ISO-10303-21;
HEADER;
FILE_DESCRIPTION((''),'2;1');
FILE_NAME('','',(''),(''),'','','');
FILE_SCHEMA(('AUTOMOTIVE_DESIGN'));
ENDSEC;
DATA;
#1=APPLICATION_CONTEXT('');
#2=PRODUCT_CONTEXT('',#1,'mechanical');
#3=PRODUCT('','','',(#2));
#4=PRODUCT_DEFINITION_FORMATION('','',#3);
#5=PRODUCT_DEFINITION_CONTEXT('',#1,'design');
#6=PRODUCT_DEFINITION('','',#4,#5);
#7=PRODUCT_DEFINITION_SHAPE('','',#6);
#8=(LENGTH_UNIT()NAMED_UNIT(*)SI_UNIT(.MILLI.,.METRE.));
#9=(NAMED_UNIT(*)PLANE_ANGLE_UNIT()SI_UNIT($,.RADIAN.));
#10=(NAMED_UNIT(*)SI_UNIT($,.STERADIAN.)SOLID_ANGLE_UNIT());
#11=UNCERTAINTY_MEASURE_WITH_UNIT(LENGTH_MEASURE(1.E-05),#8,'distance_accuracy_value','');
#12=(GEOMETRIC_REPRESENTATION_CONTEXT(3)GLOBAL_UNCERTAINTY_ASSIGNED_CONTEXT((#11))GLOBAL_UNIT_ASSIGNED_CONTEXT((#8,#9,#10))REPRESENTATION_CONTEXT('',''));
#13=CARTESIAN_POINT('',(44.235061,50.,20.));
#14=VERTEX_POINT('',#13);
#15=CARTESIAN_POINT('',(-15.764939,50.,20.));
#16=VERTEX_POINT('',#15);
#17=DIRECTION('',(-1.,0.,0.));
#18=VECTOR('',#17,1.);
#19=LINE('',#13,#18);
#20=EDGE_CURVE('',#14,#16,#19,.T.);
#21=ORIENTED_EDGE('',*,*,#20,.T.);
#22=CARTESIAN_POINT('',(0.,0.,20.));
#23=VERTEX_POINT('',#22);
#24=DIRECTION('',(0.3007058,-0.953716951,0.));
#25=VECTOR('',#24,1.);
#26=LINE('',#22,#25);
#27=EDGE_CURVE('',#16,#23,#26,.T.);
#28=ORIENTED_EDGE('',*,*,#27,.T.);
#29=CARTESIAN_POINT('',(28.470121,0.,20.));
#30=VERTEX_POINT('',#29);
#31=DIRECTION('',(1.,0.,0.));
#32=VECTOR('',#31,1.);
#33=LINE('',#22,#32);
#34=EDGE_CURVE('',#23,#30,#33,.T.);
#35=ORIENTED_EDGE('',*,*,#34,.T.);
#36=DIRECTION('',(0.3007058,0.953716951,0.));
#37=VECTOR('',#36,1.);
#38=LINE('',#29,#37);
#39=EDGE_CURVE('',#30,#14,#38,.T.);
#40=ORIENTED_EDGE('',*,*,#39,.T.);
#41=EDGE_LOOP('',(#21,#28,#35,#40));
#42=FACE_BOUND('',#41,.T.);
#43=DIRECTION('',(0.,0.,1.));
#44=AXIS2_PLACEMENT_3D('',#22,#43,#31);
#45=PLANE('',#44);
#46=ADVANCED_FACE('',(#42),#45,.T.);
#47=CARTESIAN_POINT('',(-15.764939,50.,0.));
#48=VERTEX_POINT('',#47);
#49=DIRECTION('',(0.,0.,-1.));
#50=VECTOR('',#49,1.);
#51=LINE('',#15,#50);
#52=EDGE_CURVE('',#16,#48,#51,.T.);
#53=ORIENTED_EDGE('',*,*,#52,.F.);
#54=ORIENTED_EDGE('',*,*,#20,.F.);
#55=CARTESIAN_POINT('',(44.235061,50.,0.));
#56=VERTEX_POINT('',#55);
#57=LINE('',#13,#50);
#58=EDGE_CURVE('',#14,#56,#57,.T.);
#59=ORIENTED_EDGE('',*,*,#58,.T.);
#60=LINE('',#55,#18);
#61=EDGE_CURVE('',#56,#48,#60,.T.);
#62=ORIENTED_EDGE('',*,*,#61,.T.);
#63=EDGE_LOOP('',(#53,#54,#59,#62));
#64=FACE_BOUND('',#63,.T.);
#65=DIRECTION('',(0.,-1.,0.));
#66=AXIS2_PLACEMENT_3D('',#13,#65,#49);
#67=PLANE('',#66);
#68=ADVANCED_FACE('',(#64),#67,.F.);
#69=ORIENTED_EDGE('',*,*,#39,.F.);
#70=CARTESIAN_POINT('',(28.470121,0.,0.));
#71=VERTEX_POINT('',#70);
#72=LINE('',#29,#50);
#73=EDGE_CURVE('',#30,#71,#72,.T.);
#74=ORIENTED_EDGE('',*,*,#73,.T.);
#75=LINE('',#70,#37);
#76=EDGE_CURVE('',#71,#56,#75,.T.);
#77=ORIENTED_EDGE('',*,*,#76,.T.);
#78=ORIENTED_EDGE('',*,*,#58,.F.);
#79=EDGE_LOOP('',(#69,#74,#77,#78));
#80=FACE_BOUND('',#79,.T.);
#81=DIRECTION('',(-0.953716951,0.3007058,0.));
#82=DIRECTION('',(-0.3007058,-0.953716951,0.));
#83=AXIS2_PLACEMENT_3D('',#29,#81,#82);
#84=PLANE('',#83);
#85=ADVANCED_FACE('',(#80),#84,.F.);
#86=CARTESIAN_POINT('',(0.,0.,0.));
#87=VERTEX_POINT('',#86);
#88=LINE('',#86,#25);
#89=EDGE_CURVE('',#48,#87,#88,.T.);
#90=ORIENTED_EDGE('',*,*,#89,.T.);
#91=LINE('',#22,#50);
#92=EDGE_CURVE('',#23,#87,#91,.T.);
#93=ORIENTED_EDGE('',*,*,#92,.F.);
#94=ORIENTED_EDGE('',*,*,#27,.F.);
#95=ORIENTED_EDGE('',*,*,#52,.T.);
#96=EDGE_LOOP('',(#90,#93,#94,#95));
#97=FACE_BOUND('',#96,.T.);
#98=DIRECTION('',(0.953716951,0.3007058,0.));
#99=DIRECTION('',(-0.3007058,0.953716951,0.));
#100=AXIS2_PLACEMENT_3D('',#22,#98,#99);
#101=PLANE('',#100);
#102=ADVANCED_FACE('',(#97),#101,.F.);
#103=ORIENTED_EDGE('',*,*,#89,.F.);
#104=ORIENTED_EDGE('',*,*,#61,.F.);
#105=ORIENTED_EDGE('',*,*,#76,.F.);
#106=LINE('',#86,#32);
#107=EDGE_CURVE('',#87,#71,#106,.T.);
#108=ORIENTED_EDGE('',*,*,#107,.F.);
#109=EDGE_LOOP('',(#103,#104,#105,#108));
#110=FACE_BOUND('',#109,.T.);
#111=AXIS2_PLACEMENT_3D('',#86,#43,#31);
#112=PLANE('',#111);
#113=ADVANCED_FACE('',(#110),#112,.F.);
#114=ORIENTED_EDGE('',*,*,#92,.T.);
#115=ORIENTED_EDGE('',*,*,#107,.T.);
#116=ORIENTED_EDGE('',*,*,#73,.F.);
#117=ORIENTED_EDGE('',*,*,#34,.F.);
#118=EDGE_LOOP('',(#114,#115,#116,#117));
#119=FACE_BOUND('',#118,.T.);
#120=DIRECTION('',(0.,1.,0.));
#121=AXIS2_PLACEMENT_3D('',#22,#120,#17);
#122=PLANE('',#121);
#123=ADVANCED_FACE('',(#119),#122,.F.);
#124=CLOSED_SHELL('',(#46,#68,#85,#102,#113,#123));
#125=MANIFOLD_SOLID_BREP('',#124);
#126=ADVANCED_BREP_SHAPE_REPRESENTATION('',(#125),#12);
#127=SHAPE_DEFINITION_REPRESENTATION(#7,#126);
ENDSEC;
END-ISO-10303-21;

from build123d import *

# Parameters (mm, degrees)
EXTRUDE_1_DEPTH = 20


with BuildPart() as part:
    # Эскиз1 → Бобышка-Вытянуть1 (new body)
    with BuildSketch(Plane.XY):
        Polygon((0, 0), (-15.764939444, 50), (44.235060556, 50), (28.470121112, 0), align=None)
    extrude(amount=EXTRUDE_1_DEPTH)


solid = part.part
